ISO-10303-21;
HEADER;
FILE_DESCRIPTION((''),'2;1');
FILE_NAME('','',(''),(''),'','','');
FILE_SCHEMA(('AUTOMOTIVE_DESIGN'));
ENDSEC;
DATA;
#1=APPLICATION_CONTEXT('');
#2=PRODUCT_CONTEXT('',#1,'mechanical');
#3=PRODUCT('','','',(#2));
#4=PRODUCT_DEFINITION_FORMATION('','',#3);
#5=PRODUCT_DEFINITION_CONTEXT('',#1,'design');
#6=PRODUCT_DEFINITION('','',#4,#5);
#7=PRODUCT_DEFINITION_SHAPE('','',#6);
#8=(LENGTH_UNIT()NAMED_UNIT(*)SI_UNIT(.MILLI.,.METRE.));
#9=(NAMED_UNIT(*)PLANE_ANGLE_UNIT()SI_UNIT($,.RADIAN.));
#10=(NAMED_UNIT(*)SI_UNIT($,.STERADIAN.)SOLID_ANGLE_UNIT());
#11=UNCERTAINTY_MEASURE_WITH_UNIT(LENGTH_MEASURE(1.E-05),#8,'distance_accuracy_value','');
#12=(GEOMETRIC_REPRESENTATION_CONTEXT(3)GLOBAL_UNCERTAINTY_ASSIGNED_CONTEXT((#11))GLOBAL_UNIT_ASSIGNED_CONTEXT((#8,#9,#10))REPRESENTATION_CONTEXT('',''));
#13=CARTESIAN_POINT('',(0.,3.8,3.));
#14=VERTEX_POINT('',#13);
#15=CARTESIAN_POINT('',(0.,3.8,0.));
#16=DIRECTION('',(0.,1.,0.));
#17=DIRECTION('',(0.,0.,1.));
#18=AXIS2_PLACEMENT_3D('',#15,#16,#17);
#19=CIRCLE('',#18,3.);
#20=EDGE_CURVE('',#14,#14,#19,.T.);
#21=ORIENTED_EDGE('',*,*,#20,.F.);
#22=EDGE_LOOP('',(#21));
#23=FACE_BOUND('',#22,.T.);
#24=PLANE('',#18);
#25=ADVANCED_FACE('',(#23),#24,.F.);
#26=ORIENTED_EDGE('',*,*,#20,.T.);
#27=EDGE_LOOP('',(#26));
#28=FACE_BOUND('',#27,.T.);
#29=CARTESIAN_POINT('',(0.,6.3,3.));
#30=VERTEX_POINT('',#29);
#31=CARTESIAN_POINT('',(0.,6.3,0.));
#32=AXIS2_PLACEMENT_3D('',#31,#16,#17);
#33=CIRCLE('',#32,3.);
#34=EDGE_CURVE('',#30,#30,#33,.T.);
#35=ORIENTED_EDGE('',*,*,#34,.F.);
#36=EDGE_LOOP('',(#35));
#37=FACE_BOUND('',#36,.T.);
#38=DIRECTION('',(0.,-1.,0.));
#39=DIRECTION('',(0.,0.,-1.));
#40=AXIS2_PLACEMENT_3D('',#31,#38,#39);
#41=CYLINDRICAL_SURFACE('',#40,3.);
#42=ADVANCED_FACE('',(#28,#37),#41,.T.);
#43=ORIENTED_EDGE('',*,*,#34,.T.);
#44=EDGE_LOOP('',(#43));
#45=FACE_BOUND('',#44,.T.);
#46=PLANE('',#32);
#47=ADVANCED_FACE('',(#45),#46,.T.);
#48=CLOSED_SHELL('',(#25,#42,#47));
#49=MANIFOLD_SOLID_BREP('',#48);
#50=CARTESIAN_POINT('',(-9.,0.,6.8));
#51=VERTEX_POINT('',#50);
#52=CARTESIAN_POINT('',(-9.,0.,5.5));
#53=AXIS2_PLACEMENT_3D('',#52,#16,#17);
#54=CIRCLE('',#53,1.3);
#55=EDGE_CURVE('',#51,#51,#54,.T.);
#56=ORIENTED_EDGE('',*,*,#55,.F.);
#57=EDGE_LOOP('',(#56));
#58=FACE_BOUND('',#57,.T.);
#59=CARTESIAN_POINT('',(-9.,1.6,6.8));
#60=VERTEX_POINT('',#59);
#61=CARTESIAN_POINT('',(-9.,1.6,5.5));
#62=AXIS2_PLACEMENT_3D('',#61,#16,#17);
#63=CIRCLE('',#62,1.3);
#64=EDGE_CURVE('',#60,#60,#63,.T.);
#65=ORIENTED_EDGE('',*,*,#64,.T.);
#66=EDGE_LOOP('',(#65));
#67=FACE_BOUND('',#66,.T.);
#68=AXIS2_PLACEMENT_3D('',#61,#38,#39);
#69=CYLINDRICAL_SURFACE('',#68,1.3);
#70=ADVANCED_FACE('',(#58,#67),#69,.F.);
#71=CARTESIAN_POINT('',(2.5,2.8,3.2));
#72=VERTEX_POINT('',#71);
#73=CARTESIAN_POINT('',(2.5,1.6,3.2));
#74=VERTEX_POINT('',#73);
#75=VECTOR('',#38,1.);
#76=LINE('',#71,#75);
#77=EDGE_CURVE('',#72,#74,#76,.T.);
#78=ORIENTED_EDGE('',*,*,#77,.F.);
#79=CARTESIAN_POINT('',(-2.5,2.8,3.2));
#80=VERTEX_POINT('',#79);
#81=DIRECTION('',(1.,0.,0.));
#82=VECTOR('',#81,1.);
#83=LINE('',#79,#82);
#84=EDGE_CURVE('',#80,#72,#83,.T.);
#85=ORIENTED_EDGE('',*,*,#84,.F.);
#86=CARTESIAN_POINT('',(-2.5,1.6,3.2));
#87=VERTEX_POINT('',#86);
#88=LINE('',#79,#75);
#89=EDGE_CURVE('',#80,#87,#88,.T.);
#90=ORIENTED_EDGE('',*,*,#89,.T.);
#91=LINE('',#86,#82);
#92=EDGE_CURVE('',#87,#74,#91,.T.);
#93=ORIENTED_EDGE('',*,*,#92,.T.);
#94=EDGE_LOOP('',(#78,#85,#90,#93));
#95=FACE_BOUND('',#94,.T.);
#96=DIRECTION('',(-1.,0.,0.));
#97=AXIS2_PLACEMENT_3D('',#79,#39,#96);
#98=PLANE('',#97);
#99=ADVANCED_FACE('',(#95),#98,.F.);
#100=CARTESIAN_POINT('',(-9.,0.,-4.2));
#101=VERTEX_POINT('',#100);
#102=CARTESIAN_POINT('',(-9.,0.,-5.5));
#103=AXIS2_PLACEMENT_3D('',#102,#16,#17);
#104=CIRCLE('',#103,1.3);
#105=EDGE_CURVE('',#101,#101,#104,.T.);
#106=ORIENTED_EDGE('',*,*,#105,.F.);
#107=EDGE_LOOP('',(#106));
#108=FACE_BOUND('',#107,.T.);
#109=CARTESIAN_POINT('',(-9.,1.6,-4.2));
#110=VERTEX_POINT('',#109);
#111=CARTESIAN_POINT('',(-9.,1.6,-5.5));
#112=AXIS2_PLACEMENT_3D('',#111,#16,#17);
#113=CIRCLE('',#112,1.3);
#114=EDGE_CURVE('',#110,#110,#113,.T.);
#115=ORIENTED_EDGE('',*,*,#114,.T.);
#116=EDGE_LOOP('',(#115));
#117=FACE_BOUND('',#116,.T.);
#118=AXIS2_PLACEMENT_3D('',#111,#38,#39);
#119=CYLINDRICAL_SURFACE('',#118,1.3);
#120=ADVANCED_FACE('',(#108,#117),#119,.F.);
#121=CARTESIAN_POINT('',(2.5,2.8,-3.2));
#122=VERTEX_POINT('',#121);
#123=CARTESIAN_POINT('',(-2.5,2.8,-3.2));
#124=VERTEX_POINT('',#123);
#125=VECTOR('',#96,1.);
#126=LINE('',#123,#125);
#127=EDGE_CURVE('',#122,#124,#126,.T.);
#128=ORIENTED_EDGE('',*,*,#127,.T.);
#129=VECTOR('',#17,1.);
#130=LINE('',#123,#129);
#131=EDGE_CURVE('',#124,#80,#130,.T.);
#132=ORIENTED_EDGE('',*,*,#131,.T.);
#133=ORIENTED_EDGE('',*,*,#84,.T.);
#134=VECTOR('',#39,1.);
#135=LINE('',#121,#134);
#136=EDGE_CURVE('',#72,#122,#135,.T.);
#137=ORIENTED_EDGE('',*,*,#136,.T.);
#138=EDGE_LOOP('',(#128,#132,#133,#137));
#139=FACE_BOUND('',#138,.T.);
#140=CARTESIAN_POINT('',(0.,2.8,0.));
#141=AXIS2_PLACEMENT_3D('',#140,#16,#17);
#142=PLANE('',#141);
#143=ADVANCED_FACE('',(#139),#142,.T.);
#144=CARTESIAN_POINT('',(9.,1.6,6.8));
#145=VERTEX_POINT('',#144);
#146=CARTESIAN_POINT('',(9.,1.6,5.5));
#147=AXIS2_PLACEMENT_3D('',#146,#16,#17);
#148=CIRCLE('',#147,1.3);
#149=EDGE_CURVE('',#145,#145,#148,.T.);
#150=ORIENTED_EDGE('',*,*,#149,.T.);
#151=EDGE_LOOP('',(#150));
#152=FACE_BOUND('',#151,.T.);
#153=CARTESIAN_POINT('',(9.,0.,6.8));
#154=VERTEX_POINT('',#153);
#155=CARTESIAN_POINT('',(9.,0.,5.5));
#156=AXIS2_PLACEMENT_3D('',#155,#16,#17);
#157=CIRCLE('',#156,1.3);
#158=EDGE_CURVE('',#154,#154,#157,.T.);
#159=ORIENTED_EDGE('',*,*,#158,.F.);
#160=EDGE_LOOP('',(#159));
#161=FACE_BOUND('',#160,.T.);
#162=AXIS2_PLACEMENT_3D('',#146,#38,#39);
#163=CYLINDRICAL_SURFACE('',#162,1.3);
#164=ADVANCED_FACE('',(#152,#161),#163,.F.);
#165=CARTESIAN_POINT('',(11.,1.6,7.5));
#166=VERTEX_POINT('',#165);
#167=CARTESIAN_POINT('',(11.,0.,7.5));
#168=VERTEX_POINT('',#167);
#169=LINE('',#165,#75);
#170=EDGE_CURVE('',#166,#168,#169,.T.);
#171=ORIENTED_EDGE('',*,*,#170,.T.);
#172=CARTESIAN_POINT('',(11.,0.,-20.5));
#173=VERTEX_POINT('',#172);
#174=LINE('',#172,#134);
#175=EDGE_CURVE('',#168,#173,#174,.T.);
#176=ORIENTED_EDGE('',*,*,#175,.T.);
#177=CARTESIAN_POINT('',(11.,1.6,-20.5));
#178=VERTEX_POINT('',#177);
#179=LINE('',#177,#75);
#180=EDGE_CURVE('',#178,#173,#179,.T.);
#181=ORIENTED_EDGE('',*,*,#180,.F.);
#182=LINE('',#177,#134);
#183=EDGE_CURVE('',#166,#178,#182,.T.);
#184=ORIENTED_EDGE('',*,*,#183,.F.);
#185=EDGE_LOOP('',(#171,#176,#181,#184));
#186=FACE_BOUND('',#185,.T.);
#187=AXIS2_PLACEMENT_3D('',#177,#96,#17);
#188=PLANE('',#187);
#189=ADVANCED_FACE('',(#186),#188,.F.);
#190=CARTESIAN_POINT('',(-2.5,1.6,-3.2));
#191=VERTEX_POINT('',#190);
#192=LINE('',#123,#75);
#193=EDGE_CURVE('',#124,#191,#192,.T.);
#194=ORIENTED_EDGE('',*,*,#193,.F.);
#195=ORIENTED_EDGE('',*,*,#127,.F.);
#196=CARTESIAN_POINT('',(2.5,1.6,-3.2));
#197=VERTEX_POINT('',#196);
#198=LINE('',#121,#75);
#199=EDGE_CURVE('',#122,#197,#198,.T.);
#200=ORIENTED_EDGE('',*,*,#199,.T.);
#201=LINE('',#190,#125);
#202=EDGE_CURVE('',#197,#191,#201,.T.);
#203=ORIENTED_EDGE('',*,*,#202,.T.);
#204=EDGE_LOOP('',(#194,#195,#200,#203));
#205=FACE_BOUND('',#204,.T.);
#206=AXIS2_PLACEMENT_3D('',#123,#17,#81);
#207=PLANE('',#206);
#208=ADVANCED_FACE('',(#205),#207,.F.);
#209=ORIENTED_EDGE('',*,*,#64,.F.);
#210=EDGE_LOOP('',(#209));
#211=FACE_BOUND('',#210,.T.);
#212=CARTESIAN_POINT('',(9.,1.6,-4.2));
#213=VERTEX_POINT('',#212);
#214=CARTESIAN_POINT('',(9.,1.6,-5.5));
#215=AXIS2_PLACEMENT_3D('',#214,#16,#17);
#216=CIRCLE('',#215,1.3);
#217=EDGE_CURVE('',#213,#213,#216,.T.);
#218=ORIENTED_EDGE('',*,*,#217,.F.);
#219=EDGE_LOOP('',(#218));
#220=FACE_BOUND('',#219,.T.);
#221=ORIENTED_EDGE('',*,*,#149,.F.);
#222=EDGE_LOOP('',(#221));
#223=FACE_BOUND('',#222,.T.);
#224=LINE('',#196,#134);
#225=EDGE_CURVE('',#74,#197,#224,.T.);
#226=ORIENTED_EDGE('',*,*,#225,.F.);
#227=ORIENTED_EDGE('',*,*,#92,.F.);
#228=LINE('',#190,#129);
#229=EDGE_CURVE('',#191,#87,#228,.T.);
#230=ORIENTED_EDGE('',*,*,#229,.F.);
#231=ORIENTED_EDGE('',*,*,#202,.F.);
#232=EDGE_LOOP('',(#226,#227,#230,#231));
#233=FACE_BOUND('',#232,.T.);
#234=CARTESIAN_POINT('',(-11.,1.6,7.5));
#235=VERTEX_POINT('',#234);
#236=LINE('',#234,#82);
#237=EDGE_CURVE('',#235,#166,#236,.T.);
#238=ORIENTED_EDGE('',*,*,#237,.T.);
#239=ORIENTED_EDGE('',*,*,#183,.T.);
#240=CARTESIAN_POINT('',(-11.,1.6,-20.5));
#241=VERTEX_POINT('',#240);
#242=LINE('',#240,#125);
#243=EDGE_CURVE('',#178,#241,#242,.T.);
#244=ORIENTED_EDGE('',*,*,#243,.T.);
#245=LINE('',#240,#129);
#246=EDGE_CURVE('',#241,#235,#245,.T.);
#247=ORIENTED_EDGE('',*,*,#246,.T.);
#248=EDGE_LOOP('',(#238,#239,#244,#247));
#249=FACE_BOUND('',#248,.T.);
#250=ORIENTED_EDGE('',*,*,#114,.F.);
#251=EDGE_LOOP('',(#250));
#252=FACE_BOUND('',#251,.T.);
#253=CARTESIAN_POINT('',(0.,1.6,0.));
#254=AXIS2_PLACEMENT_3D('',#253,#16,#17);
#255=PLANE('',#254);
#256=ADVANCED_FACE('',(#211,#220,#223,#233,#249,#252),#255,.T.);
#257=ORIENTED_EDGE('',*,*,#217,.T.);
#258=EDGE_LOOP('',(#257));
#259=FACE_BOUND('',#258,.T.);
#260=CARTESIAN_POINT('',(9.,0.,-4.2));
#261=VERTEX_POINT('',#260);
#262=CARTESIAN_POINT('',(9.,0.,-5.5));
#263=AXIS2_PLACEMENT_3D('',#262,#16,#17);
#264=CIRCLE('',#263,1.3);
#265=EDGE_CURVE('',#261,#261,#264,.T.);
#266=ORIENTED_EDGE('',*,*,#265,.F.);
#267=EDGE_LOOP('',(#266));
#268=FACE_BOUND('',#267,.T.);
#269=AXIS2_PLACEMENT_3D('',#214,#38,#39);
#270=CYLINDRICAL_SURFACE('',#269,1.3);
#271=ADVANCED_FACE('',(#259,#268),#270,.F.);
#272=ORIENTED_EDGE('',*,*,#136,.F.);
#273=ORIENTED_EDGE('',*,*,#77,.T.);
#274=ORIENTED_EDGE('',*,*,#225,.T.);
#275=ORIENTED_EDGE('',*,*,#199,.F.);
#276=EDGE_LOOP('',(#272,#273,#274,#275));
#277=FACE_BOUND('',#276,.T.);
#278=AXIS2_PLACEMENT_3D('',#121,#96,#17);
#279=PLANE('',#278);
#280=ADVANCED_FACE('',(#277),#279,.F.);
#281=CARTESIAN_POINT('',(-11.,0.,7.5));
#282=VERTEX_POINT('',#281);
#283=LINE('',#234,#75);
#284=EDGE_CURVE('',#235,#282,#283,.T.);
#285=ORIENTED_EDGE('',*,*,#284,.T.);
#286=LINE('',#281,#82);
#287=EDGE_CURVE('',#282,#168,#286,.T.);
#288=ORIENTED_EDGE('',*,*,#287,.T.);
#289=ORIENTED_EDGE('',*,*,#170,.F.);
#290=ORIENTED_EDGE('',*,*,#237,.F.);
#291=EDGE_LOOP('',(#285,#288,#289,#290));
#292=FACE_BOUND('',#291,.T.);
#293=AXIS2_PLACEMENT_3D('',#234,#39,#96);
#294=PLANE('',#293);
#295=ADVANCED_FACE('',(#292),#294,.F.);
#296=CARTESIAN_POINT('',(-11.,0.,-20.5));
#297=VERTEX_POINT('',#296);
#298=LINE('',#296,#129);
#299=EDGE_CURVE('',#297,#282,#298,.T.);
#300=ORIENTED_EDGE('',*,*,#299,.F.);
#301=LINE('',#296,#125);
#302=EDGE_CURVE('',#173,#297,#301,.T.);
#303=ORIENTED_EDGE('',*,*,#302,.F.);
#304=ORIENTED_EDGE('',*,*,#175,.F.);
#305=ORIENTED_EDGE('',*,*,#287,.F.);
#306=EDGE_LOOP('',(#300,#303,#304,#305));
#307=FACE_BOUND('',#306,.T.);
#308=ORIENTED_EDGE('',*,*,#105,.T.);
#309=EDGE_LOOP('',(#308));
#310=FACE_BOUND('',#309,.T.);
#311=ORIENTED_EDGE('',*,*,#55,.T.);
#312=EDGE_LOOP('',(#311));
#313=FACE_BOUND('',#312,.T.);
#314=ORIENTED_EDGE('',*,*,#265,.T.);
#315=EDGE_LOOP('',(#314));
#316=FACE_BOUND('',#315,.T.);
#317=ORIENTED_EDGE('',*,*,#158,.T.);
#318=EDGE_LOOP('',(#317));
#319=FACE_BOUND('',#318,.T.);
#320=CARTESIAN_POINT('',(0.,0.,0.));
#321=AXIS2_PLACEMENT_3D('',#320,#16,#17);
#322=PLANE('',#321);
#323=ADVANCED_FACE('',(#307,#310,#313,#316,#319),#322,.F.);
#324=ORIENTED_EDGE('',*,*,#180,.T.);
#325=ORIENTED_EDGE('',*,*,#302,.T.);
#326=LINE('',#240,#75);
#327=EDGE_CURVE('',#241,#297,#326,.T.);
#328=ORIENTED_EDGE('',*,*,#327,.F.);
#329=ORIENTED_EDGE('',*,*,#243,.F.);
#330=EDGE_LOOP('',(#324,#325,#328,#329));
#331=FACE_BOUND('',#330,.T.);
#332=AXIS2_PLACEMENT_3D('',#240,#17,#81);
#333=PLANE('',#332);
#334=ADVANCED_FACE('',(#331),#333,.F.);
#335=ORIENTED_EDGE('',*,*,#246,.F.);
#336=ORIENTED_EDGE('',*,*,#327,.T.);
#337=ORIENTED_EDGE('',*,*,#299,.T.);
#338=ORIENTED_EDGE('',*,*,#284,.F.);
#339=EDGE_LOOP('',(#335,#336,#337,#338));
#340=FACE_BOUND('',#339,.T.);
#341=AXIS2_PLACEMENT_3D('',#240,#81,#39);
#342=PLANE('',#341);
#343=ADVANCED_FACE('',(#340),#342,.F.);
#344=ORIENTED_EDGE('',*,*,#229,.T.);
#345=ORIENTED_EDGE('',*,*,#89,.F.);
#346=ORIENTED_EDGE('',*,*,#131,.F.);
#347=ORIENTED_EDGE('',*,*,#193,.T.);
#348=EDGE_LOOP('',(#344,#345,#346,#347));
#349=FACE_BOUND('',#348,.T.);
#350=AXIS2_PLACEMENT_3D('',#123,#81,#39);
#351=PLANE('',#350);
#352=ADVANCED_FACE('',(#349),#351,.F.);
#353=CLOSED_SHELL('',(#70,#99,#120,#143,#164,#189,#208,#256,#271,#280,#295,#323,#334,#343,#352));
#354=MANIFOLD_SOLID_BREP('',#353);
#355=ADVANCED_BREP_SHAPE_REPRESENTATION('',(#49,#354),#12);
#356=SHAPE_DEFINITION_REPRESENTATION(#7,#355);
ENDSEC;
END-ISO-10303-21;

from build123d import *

# Parameters (mm, degrees)
ESQUISSE1_W        = 22
ESQUISSE1_H        = 28
ESQUISSE1_R        = 1.3
BOSS_EXTRU_1_DEPTH = 1.6
ESQUISSE2_W        = 5
ESQUISSE2_H        = 6.4
BOSS_EXTRU_2_DEPTH = 1.2
BOSS_EXTRU_3_START = 1
ESQUISSE3_R        = 3
BOSS_EXTRU_3_DEPTH = 2.5


with BuildPart() as part:
    # Esquisse1 → Boss.-Extru.1 (new body)
    with BuildSketch(Plane(origin=(0, 0, 0), x_dir=(1, 0, 0), z_dir=(0, 1, 0))):
        with Locations((0, 6.5)):
            Rectangle(ESQUISSE1_W, ESQUISSE1_H)
        with Locations((-9, 5.5)):
            Circle(ESQUISSE1_R, mode=Mode.SUBTRACT)
        with Locations((9, 5.5)):
            Circle(ESQUISSE1_R, mode=Mode.SUBTRACT)
        with Locations((9, -5.5)):
            Circle(ESQUISSE1_R, mode=Mode.SUBTRACT)
        with Locations((-9, -5.5)):
            Circle(ESQUISSE1_R, mode=Mode.SUBTRACT)
    extrude(amount=BOSS_EXTRU_1_DEPTH)

    # Esquisse2 → Boss.-Extru.2 (add)
    with BuildSketch(Plane(origin=(0, 1.6, 0), x_dir=(1, 0, 0), z_dir=(0, 1, 0))):
        Rectangle(ESQUISSE2_W, ESQUISSE2_H)
    extrude(amount=BOSS_EXTRU_2_DEPTH)


with BuildPart() as body_2:
    # Esquisse3 → Boss.-Extru.3 (new body)
    with BuildSketch(Plane(origin=(0, 2.8, 0), x_dir=(1, 0, 0), z_dir=(0, 1, 0)).offset(BOSS_EXTRU_3_START)):
        Circle(ESQUISSE3_R)
    extrude(amount=BOSS_EXTRU_3_DEPTH)


solid = Compound([part.part, body_2.part])
